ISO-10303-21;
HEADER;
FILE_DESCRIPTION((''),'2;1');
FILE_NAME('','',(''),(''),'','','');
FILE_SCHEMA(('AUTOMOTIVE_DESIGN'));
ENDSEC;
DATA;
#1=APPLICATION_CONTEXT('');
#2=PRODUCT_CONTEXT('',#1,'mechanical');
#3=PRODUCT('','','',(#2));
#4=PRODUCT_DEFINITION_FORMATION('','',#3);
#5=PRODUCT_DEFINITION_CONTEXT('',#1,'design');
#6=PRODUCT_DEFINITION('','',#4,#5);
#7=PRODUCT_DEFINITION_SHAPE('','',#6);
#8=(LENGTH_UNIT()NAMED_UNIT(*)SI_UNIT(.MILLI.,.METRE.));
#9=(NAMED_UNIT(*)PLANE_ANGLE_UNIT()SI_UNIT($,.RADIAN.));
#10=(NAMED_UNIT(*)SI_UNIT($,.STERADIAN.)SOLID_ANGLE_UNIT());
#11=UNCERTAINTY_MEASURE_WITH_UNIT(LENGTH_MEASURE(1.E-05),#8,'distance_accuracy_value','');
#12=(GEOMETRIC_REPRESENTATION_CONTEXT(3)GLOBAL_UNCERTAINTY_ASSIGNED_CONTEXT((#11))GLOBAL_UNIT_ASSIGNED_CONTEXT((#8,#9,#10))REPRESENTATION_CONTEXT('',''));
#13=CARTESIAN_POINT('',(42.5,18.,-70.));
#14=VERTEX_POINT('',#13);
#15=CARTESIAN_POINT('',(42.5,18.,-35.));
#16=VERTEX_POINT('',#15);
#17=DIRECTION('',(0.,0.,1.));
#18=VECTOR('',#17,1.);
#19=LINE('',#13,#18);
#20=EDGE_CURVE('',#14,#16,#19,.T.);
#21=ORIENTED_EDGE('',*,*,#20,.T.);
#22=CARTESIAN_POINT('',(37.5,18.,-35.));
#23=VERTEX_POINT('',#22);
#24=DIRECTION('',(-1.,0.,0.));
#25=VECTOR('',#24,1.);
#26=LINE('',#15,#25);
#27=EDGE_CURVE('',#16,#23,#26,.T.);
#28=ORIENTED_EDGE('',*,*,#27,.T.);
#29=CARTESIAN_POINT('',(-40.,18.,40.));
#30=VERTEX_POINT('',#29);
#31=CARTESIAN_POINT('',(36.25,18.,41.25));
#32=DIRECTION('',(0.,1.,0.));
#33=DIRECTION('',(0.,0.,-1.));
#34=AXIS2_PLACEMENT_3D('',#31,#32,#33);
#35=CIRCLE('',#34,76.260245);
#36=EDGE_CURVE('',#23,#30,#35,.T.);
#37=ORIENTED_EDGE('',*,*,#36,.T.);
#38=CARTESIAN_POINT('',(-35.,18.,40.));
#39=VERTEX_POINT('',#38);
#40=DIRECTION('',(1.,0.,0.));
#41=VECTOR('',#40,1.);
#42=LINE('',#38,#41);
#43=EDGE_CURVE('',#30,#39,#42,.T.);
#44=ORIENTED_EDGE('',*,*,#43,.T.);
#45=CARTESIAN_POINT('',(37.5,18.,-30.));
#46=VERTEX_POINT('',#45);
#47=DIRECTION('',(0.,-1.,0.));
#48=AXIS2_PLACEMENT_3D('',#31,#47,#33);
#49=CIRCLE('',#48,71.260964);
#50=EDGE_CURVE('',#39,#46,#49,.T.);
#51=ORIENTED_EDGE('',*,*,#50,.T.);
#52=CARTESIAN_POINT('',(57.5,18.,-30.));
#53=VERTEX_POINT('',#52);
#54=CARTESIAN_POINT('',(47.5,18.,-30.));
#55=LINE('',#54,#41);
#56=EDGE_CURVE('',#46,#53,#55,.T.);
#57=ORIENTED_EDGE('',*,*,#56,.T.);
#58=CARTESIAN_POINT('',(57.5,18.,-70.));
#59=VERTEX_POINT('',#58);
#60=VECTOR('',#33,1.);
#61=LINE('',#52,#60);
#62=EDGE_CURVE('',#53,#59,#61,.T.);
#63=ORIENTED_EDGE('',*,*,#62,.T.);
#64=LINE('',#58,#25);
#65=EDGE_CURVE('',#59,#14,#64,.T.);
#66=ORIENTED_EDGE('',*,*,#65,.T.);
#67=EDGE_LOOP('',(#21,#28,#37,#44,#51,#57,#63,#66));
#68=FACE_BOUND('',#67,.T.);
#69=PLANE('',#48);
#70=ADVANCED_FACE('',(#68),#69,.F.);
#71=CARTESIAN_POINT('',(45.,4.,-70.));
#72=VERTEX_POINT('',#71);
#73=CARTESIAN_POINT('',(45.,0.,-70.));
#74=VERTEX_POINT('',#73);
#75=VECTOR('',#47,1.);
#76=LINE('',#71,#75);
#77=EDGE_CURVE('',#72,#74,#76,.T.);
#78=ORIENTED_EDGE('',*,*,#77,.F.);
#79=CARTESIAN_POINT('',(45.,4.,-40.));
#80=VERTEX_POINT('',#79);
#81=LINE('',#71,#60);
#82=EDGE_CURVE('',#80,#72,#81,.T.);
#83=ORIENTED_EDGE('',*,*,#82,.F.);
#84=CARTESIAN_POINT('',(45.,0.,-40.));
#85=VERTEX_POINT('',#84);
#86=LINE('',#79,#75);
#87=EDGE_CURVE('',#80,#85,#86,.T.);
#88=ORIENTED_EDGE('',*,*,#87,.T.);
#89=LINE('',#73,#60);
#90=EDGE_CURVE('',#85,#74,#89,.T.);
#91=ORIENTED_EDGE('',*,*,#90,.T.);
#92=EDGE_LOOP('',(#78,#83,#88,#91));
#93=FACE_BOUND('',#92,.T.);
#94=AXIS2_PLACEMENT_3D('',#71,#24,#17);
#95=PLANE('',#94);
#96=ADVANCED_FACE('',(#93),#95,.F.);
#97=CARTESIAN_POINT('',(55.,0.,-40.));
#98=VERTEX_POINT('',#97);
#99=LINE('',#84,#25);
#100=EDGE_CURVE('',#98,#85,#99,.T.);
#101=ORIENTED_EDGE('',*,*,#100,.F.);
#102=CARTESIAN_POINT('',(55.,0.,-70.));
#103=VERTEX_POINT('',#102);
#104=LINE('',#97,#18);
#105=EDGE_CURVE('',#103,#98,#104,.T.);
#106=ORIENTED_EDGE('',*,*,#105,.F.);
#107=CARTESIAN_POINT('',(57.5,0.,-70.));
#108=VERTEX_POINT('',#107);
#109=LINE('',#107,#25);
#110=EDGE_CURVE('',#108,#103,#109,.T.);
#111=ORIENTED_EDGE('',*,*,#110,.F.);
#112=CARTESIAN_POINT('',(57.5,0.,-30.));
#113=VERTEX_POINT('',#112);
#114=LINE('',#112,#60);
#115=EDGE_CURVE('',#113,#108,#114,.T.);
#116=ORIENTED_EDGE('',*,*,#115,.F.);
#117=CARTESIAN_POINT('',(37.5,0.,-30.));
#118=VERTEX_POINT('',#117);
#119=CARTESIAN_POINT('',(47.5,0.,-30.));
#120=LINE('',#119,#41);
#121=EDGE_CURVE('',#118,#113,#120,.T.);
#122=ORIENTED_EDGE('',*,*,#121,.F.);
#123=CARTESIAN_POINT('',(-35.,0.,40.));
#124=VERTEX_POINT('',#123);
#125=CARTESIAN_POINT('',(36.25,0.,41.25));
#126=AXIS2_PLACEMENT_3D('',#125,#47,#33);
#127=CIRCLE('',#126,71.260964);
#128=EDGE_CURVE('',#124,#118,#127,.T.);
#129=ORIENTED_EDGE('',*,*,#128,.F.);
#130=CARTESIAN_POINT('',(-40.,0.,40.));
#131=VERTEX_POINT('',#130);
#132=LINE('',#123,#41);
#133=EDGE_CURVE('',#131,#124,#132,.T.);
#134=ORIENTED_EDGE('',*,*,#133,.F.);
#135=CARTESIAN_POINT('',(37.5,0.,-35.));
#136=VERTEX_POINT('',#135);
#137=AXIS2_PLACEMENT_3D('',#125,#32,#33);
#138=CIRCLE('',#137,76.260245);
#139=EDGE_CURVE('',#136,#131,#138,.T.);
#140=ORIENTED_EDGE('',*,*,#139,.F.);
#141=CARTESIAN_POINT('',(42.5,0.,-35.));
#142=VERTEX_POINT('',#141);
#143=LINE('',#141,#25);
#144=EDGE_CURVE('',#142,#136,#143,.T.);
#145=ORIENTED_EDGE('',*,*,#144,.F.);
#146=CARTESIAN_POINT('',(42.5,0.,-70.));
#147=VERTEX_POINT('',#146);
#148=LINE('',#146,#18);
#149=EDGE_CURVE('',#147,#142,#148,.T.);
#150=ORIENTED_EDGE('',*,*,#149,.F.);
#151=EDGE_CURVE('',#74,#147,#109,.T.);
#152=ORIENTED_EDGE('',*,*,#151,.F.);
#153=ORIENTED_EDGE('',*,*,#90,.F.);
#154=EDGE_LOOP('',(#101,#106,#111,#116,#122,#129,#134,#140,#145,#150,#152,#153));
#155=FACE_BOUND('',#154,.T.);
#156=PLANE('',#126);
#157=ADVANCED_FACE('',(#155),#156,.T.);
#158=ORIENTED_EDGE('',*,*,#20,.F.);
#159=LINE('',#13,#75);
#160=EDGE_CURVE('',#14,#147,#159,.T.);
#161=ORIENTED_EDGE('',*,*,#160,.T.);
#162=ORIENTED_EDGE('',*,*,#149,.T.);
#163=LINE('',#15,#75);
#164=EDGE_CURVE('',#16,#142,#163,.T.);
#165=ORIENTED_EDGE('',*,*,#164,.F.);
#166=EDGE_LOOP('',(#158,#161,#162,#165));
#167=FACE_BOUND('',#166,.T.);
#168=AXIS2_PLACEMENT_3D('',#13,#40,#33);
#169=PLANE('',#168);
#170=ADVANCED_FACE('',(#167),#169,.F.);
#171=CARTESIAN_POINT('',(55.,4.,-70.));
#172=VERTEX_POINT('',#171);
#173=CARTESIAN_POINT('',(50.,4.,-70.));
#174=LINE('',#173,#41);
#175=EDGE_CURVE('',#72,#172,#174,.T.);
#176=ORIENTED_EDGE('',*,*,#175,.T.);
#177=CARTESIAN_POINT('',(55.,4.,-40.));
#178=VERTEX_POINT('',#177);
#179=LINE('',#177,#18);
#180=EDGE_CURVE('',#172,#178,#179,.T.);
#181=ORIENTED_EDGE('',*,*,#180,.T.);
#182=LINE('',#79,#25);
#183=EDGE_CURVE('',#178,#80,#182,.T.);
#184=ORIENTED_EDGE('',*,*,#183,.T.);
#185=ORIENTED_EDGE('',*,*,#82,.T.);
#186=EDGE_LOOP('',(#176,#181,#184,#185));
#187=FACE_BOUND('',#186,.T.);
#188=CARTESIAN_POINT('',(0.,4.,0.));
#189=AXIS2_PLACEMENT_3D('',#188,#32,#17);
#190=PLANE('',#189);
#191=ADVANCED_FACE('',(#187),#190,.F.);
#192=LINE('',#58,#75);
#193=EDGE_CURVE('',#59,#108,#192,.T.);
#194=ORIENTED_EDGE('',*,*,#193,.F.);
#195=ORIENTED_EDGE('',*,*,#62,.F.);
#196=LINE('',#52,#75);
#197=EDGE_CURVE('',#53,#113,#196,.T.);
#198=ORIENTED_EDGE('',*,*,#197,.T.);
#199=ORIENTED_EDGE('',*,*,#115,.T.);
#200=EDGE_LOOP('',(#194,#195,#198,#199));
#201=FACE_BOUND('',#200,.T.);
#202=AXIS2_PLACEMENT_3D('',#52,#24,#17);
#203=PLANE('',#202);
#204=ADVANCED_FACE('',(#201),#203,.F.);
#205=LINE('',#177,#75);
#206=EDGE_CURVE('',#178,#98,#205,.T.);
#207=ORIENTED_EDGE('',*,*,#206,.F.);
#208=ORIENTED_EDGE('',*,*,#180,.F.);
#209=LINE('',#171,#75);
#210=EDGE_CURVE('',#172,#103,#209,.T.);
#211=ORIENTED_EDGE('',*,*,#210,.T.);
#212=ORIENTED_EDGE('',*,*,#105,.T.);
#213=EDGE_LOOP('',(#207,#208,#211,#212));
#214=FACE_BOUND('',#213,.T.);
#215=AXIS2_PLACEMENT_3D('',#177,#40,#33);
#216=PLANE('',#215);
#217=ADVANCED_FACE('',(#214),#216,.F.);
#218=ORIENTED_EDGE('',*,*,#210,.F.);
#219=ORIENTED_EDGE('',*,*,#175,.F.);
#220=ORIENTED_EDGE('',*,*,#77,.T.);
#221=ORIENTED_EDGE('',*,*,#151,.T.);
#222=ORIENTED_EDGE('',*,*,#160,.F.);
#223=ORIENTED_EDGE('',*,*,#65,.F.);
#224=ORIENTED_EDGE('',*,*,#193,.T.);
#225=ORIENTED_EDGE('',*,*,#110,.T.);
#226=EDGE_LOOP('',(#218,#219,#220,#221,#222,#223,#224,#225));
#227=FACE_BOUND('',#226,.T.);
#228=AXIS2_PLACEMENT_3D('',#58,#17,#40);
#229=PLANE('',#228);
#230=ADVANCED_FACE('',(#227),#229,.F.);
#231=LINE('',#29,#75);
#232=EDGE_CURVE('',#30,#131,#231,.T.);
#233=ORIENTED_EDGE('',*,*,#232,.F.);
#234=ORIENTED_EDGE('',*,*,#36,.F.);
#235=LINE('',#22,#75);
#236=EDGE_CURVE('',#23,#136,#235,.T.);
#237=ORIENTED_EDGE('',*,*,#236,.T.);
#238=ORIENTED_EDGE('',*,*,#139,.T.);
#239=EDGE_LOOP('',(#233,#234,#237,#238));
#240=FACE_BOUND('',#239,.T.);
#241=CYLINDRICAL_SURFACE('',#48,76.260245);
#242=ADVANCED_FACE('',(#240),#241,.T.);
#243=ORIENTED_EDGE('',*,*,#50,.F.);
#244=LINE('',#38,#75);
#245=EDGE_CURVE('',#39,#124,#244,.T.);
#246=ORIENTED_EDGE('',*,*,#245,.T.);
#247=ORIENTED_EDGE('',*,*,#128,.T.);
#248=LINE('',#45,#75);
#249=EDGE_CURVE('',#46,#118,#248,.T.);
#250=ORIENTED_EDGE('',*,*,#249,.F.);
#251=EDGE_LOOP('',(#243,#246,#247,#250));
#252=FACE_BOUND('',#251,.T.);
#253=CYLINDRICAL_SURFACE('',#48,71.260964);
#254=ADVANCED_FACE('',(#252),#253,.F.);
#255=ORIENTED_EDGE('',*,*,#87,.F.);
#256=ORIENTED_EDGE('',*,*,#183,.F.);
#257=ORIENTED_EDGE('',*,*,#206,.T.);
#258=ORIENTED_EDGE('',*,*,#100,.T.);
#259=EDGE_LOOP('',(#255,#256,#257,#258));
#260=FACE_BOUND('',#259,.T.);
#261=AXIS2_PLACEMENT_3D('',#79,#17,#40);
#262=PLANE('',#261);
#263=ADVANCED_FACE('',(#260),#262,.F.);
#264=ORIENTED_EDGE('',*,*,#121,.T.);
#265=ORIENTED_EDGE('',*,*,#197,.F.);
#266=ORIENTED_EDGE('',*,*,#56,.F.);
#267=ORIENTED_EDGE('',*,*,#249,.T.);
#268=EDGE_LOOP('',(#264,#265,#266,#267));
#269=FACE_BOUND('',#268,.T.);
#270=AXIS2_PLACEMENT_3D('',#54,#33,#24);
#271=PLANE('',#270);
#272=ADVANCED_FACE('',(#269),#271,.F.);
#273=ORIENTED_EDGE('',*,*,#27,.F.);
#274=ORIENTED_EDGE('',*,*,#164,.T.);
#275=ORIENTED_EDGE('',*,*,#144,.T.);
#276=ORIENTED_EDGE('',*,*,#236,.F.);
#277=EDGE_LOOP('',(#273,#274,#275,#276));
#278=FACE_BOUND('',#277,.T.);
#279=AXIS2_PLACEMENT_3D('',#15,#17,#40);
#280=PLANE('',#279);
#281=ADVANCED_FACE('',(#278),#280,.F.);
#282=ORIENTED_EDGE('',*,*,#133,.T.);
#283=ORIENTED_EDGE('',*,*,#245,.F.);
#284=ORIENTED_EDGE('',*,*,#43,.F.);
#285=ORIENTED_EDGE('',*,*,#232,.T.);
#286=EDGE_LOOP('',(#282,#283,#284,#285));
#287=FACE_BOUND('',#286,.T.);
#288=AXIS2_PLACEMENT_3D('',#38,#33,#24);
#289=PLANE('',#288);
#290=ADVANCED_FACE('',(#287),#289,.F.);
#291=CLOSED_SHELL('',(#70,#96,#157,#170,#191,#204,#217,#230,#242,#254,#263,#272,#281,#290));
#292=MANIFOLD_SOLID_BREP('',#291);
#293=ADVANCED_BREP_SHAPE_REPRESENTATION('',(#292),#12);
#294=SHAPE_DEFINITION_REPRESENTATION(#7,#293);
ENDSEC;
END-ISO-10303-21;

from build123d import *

# Parameters (mm, degrees)
BOSS_EXTRUDE1_DEPTH = 18
CUT_EXTRUDE1_DEPTH  = 4


with BuildPart() as part:
    # Sketch1 → Boss-Extrude1 (new body)
    with BuildSketch(Plane(origin=(0, 0, 0), x_dir=(1, 0, 0), z_dir=(0, 1, 0))):
        with BuildLine():
            Line((47.5, 30), (57.5, 30))
            Line((57.5, 30), (57.5, 70))
            Line((57.5, 70), (42.5, 70))
            Line((42.5, 70), (42.5, 35))
            Line((42.5, 35), (37.5, 35))
            ThreePointArc((37.5, 35), (-16.783008589, 13.550775542), (-40, -40))
            Line((-40, -40), (-35, -40))
            ThreePointArc((-35, -40), (-13.247474683, 10.015241636), (37.5, 30))
            Line((37.5, 30), (47.5, 30))
        make_face()
    extrude(amount=BOSS_EXTRUDE1_DEPTH)

    # Sketch4 → Cut-Extrude1 (cut)
    with BuildSketch(Plane(origin=(0, 0, 0), x_dir=(-1, 0, 0), z_dir=(0, -1, 0))):
        Polygon((-50, 70), (-45, 70), (-45, 40), (-55, 40), (-55, 70), align=None)
    extrude(amount=-CUT_EXTRUDE1_DEPTH, mode=Mode.SUBTRACT)


solid = part.part
